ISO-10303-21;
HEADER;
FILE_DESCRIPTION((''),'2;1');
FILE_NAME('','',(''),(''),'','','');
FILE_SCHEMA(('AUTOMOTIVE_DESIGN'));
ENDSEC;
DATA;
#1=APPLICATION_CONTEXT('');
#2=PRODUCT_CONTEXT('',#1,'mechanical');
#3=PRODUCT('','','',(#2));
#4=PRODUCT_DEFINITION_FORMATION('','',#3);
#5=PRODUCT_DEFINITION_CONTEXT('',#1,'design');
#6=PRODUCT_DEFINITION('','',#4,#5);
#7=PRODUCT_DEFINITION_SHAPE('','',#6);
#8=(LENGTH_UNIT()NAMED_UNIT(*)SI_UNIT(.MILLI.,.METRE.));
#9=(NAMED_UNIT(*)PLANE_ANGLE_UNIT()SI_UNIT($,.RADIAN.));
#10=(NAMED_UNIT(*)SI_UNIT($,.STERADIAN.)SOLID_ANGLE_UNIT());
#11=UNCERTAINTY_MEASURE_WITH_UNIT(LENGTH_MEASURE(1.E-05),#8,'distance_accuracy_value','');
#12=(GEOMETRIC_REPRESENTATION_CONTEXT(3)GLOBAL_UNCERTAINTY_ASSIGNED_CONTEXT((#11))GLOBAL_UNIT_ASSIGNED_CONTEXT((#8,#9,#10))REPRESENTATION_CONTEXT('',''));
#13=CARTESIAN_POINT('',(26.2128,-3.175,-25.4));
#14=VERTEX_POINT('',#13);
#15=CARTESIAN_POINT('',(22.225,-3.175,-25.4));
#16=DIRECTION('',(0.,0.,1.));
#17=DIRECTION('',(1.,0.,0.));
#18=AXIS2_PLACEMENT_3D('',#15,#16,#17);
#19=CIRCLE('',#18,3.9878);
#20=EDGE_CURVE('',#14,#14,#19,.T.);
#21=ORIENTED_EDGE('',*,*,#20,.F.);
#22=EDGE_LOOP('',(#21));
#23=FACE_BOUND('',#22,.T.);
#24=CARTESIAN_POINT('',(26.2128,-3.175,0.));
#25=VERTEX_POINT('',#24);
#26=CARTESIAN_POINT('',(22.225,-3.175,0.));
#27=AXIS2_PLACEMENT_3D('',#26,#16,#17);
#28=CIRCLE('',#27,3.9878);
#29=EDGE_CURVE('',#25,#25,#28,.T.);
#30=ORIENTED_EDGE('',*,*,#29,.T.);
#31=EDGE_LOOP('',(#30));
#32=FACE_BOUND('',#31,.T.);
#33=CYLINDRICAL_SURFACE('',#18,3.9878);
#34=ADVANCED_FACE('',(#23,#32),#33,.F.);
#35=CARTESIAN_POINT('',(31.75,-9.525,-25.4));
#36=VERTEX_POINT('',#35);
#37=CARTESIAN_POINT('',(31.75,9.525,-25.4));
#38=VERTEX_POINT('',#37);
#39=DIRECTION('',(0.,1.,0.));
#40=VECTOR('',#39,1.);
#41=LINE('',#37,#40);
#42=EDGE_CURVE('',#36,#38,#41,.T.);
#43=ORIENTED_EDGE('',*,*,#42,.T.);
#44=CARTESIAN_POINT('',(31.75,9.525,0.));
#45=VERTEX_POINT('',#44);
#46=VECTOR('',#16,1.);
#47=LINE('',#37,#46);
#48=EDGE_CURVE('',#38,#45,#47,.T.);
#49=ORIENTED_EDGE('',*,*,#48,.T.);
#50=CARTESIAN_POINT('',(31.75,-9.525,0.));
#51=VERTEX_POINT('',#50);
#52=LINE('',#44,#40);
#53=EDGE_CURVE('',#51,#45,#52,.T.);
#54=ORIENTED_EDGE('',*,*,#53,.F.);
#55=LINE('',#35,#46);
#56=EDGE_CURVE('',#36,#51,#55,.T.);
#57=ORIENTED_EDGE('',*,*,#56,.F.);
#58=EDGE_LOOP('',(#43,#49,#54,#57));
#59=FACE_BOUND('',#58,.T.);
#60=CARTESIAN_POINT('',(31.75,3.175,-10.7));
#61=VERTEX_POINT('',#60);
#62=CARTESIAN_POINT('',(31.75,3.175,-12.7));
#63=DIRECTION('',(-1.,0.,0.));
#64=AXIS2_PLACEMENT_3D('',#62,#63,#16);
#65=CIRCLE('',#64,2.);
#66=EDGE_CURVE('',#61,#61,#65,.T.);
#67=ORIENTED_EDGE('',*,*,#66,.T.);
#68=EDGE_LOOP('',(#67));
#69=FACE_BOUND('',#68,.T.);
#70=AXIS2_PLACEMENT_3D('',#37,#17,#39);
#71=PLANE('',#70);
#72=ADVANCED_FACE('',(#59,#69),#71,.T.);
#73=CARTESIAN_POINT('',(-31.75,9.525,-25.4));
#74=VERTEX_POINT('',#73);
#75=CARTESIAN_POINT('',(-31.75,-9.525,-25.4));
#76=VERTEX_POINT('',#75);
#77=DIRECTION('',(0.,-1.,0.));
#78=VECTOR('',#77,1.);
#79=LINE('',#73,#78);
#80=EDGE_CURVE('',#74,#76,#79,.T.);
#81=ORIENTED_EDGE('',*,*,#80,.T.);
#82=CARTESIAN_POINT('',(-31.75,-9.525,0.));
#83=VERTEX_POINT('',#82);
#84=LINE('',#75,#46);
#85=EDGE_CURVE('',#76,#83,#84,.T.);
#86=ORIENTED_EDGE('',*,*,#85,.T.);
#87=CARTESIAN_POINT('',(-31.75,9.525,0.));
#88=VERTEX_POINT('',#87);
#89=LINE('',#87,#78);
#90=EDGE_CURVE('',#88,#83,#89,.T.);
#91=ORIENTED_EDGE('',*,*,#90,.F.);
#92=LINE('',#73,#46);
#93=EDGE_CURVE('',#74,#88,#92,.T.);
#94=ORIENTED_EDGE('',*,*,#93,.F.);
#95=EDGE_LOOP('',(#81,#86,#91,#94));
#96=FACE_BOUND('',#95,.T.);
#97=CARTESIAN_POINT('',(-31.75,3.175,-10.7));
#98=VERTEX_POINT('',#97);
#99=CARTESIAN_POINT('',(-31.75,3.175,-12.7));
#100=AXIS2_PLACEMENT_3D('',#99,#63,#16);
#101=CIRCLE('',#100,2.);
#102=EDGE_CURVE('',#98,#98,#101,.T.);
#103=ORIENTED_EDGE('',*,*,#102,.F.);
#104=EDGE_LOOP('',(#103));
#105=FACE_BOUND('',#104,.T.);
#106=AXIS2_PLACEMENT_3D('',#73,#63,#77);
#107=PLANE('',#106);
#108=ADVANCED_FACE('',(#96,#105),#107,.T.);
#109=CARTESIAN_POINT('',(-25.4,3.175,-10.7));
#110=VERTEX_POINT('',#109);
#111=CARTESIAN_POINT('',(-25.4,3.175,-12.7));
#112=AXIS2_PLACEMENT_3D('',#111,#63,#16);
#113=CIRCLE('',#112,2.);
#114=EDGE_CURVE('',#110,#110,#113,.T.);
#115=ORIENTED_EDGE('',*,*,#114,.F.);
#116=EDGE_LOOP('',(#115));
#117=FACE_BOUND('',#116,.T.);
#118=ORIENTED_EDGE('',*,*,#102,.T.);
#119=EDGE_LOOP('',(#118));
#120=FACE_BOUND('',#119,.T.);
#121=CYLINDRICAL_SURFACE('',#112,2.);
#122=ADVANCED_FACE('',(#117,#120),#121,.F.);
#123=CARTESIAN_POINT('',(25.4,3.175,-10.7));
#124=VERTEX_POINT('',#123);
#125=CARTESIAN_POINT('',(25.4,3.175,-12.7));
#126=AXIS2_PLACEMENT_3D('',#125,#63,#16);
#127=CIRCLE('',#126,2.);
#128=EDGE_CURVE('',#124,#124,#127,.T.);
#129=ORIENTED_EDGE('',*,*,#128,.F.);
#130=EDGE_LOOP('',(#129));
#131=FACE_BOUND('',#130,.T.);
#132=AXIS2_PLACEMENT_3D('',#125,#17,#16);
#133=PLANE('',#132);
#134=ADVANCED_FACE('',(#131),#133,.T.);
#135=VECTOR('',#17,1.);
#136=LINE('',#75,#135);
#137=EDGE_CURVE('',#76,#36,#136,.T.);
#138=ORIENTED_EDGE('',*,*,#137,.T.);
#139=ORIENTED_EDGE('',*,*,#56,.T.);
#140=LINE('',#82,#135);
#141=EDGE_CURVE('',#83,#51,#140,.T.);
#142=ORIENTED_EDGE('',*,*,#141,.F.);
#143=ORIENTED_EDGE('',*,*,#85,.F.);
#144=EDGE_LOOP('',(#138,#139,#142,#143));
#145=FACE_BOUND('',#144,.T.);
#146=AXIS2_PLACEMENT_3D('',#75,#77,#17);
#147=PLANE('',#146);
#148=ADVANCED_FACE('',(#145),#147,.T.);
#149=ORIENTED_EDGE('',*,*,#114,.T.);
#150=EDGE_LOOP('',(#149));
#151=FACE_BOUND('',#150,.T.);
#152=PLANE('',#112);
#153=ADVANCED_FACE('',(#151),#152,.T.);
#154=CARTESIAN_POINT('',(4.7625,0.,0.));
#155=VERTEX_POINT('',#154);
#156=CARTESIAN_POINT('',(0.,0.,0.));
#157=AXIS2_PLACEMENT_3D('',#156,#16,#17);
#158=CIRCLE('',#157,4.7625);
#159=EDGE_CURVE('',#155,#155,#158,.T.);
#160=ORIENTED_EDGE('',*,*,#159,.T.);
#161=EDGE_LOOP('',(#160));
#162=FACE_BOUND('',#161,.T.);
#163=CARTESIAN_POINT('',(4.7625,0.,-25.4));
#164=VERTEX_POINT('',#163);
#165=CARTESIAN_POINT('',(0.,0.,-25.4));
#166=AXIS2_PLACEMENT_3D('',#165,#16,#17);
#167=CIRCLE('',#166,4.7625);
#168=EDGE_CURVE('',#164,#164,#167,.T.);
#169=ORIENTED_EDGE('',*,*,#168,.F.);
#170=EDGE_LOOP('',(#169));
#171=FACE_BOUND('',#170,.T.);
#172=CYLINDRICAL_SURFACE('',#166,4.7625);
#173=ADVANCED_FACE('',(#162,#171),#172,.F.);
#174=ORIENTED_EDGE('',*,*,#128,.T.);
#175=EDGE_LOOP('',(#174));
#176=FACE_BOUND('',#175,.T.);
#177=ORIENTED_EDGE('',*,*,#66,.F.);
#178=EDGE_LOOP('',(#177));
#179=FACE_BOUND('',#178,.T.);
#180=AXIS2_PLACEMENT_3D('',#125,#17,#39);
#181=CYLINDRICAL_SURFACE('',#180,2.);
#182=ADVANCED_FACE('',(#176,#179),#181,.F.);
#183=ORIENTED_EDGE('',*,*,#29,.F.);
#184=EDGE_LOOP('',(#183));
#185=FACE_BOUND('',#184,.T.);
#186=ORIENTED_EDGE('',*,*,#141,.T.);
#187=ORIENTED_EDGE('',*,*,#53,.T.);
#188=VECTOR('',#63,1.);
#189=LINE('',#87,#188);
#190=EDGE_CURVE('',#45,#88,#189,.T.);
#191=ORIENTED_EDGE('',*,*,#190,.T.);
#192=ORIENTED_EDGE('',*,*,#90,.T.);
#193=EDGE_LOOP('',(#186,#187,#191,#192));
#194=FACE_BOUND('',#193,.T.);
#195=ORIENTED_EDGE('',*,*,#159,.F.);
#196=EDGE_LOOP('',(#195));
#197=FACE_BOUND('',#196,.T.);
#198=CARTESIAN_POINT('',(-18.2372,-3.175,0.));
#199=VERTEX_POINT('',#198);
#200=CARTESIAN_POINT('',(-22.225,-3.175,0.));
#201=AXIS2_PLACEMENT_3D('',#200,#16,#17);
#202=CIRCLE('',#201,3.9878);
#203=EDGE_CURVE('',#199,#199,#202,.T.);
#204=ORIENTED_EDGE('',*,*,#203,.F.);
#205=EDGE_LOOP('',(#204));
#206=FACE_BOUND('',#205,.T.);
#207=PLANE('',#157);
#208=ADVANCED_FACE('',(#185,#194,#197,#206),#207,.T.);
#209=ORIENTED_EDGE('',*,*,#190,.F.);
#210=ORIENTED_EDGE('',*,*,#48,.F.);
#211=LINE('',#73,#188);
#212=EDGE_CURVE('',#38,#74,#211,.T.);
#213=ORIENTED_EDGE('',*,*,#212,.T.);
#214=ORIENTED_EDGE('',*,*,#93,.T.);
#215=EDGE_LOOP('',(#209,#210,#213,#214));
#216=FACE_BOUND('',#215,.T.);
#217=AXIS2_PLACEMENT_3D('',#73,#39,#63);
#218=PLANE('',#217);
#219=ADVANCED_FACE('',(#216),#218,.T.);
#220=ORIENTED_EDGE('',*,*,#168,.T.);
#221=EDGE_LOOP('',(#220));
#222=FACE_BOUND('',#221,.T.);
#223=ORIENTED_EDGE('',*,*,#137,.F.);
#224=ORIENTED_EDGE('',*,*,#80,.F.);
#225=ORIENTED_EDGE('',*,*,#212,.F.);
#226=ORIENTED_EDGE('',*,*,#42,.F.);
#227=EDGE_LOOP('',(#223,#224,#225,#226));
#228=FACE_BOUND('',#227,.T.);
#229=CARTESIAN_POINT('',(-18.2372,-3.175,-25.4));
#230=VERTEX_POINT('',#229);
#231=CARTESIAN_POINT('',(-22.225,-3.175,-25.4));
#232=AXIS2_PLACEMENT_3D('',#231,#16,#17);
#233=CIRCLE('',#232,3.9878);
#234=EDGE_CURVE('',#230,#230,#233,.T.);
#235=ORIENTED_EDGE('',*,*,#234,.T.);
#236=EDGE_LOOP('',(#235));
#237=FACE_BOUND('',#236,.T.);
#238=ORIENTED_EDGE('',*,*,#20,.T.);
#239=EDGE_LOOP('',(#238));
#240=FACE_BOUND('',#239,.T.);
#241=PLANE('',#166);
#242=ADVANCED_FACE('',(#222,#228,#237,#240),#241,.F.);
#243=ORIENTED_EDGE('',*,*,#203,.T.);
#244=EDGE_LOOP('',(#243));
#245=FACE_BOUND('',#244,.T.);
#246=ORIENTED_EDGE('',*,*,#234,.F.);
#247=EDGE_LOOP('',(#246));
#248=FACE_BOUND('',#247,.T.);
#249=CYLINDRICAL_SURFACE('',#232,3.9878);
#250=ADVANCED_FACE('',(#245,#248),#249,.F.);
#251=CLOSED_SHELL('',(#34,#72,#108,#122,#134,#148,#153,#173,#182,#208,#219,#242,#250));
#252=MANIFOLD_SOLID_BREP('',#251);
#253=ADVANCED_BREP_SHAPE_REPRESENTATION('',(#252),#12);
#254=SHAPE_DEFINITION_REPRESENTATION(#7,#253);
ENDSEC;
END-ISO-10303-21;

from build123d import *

# Parameters (mm, degrees)
SKETCH1_W           = 63.5
SKETCH1_H           = 19.05
SKETCH1_R           = 4.7625
SKETCH1_R_2         = 3.9878
BOSS_EXTRUDE1_DEPTH = 25.4
SKETCH2_R           = 2
CUT_EXTRUDE1_DEPTH  = 6.35


with BuildPart() as part:
    # Sketch1 → Boss-Extrude1 (new body)
    with BuildSketch(Plane.XY):
        Rectangle(SKETCH1_W, SKETCH1_H)
        Circle(SKETCH1_R, mode=Mode.SUBTRACT)
        with Locations((-22.225, -3.175)):
            Circle(SKETCH1_R_2, mode=Mode.SUBTRACT)
        with Locations((22.225, -3.175)):
            Circle(SKETCH1_R_2, mode=Mode.SUBTRACT)
    extrude(amount=-BOSS_EXTRUDE1_DEPTH)

    # Sketch2 → Cut-Extrude1 (cut)
    with BuildSketch(Plane.ZY.offset(31.75)):
        with Locations((-12.7, 3.175)):
            Circle(SKETCH2_R)
    cut_extrude1 = extrude(amount=-CUT_EXTRUDE1_DEPTH, mode=Mode.SUBTRACT)

    # Mirror1: Cut-Extrude1 across plane
    add(cut_extrude1.mirror(Plane.ZY), mode=Mode.SUBTRACT)


solid = part.part
